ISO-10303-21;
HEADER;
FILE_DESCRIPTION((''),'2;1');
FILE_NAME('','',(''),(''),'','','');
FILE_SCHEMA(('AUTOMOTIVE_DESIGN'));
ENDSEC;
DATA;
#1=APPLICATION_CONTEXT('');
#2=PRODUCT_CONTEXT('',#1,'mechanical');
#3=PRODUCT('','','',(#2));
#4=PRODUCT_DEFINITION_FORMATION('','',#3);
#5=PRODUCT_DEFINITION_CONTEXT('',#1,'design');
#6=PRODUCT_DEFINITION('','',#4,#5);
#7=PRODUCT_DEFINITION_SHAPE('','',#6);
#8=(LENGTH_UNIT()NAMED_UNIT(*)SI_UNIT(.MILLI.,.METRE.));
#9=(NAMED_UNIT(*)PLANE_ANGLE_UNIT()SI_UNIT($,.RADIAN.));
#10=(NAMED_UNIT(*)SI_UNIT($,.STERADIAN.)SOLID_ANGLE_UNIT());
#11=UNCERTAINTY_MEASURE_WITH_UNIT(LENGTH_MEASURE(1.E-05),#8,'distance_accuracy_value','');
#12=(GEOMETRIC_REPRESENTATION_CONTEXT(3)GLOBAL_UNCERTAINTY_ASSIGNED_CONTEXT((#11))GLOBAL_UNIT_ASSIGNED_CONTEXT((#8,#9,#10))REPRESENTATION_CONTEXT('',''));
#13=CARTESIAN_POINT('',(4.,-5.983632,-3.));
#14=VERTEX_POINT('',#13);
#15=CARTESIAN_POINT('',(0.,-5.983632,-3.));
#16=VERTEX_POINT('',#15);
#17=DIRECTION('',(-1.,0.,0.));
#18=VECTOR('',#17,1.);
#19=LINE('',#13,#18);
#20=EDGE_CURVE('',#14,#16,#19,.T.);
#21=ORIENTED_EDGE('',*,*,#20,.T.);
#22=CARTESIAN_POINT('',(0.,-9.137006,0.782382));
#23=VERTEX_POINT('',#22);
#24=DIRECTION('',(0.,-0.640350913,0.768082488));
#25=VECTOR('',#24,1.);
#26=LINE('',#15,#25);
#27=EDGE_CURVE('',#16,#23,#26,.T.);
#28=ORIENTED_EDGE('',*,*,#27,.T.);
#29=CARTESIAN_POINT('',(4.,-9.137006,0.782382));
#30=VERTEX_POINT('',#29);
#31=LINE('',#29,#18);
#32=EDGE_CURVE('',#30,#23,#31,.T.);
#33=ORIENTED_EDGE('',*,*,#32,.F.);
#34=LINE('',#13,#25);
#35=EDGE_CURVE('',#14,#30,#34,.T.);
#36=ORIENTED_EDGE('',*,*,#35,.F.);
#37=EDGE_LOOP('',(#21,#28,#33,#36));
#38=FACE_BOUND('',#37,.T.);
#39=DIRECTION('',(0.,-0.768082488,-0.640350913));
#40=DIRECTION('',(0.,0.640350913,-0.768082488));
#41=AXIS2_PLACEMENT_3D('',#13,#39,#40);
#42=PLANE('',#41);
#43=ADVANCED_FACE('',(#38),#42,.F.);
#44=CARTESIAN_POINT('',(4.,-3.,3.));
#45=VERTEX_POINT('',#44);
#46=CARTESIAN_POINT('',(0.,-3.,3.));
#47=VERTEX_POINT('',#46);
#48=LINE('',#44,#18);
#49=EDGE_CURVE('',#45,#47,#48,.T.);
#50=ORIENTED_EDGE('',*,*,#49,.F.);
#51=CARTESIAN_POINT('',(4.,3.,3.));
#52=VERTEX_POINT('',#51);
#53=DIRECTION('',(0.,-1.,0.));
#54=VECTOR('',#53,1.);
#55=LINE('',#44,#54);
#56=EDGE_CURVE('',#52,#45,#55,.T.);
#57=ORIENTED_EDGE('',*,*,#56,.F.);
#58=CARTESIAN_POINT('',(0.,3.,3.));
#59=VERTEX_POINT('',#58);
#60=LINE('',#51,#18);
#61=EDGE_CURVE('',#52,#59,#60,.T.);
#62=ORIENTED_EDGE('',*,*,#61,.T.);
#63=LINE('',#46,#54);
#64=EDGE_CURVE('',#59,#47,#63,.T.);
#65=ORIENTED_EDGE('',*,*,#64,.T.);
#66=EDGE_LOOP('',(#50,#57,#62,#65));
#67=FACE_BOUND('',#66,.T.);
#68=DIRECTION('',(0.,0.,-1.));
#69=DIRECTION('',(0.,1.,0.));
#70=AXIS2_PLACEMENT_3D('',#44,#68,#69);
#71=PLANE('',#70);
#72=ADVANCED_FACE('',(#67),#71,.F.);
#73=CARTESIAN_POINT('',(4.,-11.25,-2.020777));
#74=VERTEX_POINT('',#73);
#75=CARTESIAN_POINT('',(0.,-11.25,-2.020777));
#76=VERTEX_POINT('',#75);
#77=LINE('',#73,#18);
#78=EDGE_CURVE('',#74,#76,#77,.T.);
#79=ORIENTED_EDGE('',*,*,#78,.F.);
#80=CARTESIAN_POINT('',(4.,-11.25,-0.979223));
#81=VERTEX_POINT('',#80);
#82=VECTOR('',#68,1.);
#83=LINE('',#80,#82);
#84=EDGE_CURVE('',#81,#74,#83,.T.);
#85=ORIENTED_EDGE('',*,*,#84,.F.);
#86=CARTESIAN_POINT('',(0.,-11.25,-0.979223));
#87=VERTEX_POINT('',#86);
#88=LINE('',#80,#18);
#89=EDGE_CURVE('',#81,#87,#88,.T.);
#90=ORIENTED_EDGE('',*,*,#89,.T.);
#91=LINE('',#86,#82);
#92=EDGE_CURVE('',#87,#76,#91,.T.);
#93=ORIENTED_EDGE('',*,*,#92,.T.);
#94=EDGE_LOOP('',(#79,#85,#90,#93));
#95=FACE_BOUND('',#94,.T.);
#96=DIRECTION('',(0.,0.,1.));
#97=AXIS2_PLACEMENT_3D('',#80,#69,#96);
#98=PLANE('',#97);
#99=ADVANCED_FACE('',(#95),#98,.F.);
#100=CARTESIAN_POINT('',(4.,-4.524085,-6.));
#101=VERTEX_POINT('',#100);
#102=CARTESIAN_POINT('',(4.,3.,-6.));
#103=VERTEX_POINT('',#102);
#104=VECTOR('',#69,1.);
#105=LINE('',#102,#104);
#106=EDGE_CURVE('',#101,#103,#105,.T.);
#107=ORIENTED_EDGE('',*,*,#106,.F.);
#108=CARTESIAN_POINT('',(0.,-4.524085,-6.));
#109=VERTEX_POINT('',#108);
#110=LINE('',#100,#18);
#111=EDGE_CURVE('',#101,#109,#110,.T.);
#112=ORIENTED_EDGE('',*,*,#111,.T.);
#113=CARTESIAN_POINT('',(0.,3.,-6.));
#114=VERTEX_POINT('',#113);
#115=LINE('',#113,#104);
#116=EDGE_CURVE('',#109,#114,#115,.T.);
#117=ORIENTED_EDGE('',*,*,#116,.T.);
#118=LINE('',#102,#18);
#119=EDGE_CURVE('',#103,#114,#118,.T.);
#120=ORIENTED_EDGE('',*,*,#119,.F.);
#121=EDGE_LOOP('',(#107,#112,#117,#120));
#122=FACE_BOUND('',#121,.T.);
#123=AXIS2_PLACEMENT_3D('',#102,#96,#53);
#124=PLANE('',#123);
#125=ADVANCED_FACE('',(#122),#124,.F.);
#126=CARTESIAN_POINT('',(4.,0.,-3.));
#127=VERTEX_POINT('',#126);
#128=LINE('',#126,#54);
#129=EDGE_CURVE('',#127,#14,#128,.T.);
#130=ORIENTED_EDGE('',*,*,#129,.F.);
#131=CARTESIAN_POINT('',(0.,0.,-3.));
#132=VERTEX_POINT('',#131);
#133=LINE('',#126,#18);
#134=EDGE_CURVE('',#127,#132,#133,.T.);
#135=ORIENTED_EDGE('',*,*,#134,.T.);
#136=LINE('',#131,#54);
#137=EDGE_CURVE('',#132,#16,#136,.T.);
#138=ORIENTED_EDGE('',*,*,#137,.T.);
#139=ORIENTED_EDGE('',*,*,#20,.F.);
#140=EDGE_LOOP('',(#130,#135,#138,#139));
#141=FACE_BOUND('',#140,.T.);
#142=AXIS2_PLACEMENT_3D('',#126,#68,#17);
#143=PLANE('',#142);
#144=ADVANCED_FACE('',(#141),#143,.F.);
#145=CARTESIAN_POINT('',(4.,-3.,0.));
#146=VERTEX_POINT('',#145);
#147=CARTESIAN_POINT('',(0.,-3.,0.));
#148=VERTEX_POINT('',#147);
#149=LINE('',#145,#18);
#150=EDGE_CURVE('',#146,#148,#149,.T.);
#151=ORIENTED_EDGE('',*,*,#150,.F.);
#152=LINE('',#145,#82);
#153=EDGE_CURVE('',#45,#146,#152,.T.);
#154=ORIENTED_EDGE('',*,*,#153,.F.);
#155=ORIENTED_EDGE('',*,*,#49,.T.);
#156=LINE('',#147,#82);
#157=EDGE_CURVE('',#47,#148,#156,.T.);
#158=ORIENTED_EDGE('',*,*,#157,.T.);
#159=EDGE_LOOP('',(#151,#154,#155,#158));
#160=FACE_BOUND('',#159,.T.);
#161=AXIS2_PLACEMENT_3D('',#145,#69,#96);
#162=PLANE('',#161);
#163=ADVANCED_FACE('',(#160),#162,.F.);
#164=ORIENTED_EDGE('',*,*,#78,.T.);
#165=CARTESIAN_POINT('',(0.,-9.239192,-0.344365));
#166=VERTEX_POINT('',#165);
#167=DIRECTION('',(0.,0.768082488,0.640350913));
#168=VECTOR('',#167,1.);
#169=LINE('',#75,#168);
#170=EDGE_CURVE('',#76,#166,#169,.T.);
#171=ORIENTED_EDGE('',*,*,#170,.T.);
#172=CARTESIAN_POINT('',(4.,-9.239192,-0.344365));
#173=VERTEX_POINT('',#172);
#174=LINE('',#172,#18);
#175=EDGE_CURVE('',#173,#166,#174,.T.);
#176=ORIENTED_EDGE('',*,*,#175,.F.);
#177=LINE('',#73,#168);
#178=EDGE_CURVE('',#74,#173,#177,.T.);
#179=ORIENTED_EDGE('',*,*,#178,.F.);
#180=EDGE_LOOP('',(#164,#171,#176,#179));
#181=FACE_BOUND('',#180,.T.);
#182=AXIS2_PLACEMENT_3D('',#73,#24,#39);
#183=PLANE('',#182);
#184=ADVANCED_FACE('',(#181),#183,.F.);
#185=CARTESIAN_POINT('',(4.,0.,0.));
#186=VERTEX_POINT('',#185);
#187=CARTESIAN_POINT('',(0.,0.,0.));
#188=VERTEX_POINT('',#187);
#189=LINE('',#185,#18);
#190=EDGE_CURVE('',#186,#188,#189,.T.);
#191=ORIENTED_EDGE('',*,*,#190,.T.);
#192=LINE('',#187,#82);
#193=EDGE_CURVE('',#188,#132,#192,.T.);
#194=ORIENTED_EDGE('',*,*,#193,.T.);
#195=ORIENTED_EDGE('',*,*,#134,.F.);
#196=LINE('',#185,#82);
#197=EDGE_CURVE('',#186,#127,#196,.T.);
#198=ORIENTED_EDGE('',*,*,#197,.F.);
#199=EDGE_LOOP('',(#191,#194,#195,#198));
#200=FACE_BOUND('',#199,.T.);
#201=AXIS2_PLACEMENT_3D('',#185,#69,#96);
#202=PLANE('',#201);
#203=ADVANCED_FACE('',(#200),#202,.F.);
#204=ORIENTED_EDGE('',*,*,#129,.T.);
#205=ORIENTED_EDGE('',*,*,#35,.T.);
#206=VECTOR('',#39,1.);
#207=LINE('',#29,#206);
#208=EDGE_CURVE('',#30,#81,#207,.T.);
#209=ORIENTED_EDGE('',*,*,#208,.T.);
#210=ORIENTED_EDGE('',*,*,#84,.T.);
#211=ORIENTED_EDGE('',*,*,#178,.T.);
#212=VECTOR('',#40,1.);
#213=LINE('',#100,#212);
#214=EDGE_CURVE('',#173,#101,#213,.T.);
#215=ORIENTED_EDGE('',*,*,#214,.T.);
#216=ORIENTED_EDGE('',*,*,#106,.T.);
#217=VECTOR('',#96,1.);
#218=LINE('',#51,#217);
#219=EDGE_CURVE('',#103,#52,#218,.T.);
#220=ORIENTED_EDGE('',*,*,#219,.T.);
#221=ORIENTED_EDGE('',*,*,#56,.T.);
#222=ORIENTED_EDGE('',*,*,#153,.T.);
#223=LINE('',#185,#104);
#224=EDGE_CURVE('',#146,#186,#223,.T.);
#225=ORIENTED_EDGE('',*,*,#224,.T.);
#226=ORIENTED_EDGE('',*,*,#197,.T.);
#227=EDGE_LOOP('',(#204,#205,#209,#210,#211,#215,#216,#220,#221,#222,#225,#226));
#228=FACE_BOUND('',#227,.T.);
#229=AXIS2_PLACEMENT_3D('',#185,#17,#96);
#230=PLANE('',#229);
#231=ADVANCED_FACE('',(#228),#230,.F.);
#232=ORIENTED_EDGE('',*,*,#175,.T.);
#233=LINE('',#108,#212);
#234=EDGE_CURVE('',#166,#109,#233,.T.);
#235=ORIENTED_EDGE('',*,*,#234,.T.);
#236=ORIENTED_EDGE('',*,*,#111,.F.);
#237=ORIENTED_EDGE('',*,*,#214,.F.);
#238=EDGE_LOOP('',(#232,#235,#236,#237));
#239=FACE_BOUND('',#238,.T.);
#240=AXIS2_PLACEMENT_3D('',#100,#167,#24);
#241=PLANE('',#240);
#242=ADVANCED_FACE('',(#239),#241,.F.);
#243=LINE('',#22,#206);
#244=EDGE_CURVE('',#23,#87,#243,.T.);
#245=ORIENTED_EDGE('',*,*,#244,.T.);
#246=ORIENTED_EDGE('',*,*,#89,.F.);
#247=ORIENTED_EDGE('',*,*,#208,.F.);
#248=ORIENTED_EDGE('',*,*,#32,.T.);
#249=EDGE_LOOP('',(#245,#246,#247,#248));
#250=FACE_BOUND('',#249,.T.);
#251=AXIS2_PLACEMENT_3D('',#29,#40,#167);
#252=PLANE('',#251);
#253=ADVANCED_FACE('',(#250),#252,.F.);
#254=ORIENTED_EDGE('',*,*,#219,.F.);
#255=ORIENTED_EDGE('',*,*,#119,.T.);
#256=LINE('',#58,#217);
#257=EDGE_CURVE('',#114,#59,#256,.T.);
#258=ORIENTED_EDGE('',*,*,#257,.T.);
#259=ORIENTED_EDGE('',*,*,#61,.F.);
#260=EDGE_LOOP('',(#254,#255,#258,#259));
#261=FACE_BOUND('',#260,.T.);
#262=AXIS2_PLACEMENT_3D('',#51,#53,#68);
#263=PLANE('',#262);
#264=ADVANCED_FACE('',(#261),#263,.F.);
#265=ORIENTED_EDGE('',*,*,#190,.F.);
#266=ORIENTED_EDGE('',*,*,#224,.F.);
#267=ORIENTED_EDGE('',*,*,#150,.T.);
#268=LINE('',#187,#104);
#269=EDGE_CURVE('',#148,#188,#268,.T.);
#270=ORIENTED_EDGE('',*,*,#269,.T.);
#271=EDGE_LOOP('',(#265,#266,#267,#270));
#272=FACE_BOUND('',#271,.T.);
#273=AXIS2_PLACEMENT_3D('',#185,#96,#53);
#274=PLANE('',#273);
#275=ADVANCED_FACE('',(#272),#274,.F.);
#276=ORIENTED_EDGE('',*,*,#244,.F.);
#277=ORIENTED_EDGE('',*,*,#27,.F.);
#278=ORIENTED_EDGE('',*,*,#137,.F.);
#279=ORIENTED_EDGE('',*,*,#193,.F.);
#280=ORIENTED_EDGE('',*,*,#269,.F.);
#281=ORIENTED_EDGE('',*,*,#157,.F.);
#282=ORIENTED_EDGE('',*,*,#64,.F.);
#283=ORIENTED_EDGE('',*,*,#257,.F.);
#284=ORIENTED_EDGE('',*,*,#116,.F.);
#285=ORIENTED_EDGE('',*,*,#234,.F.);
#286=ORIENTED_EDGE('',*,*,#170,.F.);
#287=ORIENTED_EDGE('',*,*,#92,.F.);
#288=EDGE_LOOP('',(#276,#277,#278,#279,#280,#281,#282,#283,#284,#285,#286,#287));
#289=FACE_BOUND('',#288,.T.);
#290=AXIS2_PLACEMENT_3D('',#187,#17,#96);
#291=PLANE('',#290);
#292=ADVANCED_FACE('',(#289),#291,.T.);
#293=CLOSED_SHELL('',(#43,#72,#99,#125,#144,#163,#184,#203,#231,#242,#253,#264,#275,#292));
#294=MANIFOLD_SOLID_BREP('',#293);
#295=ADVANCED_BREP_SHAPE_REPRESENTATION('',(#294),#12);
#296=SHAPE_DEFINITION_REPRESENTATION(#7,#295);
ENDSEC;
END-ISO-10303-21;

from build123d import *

# Parameters (mm, degrees)
BOSS_EXTRUDE1_DEPTH = 4


with BuildPart() as part:
    # Sketch1 → Boss-Extrude1 (new body)
    with BuildSketch(Plane(origin=(0, 0, 0), x_dir=(0, 0, -1), z_dir=(1, 0, 0))):
        Polygon((0, 0), (3, 0), (3, -5.983632242), (-0.782381606, -9.137006459), (0.979222601, -11.25), (2.020777399, -11.25), (0.344365115, -9.23919172), (6, -4.52408492), (6, 3), (-3, 3), (-3, -3), (0, -3), align=None)
    extrude(amount=BOSS_EXTRUDE1_DEPTH)


solid = part.part
